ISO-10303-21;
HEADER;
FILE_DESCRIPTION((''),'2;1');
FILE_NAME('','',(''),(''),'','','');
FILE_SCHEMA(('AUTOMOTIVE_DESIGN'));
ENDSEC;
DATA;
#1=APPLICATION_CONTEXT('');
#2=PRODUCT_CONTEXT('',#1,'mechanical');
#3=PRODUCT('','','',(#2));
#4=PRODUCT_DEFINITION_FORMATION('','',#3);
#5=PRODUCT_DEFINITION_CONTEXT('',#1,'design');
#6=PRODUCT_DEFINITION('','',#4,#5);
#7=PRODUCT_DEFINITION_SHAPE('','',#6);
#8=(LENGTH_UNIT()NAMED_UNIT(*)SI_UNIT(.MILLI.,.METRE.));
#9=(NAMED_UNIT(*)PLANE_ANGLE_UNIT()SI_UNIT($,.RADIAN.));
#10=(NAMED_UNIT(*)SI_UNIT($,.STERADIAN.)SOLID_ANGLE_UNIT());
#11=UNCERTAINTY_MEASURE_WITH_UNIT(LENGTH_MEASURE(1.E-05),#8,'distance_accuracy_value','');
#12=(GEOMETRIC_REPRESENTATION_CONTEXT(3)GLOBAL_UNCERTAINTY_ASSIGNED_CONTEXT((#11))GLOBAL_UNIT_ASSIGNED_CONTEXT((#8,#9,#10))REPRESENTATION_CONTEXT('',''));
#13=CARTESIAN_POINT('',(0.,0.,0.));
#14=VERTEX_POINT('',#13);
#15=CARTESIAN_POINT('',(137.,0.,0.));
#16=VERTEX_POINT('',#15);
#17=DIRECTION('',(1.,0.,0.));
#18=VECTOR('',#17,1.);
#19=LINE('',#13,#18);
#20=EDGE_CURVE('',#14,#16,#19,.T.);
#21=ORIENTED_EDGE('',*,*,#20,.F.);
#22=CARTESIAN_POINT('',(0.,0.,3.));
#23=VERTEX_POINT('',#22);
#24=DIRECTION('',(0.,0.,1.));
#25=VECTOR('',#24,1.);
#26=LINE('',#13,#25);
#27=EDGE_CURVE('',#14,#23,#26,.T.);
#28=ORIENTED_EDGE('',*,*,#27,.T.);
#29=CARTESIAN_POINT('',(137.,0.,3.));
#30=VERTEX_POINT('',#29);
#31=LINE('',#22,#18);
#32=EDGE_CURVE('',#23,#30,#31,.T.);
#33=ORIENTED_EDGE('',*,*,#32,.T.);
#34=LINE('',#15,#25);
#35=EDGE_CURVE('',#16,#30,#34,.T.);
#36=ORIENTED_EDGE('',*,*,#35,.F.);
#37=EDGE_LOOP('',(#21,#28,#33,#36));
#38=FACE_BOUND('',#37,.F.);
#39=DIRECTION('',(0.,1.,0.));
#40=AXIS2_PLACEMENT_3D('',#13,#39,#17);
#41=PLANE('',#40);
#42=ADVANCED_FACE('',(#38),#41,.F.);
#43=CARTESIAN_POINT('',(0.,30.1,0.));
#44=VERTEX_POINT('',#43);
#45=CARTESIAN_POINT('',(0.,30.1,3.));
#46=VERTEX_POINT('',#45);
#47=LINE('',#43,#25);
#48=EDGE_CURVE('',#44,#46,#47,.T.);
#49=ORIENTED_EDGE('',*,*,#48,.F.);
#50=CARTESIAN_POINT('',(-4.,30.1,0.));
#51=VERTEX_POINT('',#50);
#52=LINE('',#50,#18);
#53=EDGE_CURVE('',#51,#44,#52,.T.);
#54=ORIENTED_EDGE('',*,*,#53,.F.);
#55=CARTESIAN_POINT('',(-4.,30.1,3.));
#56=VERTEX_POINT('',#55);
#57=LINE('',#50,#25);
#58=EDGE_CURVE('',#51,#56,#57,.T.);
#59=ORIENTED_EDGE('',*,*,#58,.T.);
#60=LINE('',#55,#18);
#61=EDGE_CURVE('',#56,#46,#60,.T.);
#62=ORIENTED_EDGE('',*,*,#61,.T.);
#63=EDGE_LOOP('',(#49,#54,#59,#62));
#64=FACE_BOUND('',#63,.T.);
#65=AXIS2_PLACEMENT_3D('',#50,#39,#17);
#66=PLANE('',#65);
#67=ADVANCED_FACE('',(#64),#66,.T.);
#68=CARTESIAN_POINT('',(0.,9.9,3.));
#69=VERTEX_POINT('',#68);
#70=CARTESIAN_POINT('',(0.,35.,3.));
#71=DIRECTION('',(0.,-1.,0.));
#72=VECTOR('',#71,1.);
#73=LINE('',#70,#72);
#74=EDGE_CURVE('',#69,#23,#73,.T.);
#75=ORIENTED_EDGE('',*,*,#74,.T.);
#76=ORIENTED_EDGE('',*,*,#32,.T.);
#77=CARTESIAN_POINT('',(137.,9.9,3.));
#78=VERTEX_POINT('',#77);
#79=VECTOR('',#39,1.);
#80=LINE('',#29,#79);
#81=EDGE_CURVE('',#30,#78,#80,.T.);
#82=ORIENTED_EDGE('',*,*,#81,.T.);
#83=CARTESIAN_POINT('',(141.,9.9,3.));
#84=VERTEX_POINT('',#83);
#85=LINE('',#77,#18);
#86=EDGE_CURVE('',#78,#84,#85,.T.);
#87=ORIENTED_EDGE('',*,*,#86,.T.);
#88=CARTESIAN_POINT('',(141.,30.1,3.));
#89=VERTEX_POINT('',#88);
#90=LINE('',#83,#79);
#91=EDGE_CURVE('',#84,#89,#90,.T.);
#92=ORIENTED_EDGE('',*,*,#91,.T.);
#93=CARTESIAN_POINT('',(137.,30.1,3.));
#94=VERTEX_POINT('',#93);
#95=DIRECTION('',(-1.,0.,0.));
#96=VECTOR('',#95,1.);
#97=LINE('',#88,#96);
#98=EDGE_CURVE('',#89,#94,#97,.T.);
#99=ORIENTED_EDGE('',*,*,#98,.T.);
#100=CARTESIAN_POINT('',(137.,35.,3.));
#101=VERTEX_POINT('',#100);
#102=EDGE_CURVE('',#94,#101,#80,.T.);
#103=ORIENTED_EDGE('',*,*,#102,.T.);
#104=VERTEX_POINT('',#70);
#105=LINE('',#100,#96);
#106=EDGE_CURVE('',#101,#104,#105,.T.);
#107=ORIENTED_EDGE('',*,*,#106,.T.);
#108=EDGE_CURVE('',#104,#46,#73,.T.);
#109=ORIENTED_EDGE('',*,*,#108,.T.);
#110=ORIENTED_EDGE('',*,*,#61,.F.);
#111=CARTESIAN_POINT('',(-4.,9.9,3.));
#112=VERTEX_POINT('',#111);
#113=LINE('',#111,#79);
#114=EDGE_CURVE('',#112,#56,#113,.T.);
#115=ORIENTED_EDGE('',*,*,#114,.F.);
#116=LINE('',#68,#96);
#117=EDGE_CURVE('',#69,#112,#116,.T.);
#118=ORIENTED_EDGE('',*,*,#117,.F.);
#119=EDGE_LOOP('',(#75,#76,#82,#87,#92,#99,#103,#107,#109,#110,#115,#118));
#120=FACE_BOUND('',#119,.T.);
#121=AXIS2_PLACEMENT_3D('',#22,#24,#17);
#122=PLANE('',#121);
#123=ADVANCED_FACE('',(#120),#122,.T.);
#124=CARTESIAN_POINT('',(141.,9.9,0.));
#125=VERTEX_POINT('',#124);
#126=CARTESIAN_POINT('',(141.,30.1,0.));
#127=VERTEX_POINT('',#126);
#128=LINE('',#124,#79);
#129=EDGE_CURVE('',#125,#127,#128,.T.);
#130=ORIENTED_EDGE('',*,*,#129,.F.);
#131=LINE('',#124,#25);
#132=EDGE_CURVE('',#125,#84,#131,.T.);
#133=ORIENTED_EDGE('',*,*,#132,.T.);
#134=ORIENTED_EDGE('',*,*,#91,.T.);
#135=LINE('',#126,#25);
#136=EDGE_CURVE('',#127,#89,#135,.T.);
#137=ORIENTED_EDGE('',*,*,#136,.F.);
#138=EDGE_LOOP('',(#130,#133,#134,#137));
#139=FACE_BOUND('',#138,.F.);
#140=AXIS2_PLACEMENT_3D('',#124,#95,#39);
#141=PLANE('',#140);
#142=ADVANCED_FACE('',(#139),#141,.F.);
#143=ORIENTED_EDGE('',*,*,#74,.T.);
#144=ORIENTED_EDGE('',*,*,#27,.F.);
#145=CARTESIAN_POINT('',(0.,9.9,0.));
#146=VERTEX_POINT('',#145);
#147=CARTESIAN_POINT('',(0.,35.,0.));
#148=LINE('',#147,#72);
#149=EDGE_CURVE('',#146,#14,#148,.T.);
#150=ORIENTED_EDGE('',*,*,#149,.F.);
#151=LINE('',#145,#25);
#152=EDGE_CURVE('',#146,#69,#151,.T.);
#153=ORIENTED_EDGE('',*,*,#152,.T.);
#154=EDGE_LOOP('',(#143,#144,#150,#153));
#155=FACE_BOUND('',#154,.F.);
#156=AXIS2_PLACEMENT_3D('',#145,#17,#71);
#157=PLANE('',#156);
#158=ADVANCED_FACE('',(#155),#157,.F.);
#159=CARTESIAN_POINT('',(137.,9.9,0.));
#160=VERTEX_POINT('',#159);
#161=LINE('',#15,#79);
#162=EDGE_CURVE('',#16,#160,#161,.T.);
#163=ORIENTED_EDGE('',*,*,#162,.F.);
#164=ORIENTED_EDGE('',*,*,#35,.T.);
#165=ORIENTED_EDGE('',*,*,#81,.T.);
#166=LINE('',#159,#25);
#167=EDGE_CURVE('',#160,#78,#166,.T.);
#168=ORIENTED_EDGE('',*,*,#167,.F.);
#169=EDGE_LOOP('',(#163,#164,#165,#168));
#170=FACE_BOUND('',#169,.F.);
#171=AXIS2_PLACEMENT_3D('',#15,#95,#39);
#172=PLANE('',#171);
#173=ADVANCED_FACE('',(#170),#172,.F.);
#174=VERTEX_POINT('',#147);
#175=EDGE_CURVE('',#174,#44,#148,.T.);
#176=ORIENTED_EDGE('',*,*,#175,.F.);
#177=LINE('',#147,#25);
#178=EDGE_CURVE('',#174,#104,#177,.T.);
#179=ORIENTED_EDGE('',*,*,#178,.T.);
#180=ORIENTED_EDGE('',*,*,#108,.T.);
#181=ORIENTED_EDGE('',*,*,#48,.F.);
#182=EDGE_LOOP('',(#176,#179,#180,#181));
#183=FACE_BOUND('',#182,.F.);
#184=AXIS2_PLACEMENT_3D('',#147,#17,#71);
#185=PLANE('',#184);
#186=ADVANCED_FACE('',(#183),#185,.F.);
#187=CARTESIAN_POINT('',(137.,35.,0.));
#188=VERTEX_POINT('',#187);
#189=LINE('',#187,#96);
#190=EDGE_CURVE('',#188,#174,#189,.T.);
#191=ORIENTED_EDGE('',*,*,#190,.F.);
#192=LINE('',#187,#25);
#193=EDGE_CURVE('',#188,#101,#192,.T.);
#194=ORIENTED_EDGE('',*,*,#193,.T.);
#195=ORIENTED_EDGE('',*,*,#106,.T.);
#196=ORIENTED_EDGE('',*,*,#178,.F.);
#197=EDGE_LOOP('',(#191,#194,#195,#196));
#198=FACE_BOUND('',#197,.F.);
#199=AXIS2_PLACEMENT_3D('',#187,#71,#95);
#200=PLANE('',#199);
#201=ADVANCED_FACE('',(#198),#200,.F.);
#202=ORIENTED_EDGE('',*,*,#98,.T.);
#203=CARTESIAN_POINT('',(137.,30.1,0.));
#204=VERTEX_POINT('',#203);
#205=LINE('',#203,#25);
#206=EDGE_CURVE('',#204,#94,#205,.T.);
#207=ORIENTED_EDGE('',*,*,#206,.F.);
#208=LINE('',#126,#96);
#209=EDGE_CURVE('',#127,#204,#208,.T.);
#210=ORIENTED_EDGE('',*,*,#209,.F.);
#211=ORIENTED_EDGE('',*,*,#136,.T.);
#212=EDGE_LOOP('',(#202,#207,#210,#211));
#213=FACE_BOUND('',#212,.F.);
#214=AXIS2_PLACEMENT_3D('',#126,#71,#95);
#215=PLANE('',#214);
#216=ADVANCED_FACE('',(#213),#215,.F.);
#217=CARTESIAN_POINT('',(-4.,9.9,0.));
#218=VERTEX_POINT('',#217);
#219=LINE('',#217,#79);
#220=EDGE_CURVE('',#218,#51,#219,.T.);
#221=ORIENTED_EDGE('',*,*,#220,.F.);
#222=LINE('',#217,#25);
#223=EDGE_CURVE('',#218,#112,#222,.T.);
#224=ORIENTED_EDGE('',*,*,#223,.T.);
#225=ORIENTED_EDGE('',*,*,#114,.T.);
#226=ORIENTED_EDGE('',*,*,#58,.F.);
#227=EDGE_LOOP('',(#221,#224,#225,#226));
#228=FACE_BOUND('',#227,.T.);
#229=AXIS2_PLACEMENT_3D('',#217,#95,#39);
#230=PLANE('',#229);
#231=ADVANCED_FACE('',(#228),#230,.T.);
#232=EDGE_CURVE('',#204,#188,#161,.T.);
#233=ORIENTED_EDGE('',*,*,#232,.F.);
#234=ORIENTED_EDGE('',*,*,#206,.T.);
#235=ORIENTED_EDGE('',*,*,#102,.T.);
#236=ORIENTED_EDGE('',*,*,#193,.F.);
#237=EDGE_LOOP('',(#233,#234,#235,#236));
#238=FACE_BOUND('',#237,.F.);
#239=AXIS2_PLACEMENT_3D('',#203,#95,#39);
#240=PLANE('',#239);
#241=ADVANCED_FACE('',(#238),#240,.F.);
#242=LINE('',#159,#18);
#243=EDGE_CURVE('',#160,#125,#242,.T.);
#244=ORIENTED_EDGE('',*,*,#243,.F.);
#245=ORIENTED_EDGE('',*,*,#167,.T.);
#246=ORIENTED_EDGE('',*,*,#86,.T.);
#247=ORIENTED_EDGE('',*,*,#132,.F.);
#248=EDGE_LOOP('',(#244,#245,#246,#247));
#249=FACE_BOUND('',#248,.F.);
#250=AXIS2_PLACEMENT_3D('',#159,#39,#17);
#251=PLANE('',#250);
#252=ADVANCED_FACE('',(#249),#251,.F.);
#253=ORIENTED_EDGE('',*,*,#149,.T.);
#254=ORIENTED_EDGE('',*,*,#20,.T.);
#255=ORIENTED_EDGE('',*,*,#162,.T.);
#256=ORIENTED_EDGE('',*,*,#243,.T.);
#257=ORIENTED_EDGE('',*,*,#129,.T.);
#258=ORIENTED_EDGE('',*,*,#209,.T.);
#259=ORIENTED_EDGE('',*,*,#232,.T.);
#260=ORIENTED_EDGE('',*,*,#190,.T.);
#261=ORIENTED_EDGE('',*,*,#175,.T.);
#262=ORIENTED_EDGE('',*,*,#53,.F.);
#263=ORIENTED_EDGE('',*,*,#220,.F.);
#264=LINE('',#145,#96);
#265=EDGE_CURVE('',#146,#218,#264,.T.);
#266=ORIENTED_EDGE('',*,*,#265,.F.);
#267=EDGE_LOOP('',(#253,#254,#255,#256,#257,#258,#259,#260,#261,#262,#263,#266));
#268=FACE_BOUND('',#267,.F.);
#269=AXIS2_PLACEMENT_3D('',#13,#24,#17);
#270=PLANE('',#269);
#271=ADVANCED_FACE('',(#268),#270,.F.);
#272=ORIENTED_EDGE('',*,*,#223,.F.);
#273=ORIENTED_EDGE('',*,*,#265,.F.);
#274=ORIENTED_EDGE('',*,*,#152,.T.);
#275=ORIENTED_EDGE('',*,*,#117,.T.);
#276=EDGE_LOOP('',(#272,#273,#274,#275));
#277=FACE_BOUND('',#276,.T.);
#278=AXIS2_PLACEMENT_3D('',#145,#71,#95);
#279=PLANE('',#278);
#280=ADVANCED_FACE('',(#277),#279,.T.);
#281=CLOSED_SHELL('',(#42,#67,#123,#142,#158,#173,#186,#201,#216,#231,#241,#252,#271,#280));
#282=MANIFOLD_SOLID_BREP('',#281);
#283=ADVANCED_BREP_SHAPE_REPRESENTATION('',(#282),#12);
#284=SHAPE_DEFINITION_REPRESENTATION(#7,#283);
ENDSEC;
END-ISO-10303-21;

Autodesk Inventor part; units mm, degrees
ref_plane "YZ Plane" through (0, 0, 0) normal (1, 0, 0) x (0, 1, 0)
ref_plane "XZ Plane" through (0, 0, 0) normal (0, 1, 0) x (-1, 0, 0)
ref_plane "XY Plane" through (0, 0, 0) normal (0, 0, 1) x (1, 0, 0)
sketch "Sketch1" plane through (0, 0, 0) normal (0, 0, 1) x (1, 0, 0)
  line L0 (0, 0) -> (137, 0)
  line L1 (137, 0) -> (137, 35)
  line L2 (137, 35) -> (0, 35)
  line L3 (0, 35) -> (0, 0)
  line L4 (141, 30.1) -> (137, 30.1)
  line L5 (137, 30.1) -> (137, 9.9)
  line L6 (137, 9.9) -> (141, 9.9)
  line L7 (141, 9.9) -> (141, 30.1)
  line L8 (141, 30.1) -> (137, 9.9) construction
  line L9 (137, 30.1) -> (141, 9.9) construction
  line L10 (-4, 30.1) -> (0, 30.1)
  line L11 (0, 30.1) -> (0, 9.9)
  line L12 (0, 9.9) -> (-4, 9.9)
  line L13 (-4, 9.9) -> (-4, 30.1)
  line L14 (-4, 30.1) -> (0, 9.9) construction
  line L15 (0, 30.1) -> (-4, 9.9) construction
  point P0 (139, 20)
  point P1 (-2, 20)
  point P2 (0, 30.1)
  point P3 (0, 30.1)
  point P4 (137, 30.1)
  point P5 (100, 25)
  point P6 (0, 25)
  dimension "d0" = 4
  dimension "d1" = 4
  dimension "d2" = 137
  dimension "d3" = 35
  dimension "d4" = 20.2
  dimension "d5" = 9.9
extrude "Extrusion1" add sketch "Sketch1" along normal blind 3
properties part number "Battary_holder_part2"
